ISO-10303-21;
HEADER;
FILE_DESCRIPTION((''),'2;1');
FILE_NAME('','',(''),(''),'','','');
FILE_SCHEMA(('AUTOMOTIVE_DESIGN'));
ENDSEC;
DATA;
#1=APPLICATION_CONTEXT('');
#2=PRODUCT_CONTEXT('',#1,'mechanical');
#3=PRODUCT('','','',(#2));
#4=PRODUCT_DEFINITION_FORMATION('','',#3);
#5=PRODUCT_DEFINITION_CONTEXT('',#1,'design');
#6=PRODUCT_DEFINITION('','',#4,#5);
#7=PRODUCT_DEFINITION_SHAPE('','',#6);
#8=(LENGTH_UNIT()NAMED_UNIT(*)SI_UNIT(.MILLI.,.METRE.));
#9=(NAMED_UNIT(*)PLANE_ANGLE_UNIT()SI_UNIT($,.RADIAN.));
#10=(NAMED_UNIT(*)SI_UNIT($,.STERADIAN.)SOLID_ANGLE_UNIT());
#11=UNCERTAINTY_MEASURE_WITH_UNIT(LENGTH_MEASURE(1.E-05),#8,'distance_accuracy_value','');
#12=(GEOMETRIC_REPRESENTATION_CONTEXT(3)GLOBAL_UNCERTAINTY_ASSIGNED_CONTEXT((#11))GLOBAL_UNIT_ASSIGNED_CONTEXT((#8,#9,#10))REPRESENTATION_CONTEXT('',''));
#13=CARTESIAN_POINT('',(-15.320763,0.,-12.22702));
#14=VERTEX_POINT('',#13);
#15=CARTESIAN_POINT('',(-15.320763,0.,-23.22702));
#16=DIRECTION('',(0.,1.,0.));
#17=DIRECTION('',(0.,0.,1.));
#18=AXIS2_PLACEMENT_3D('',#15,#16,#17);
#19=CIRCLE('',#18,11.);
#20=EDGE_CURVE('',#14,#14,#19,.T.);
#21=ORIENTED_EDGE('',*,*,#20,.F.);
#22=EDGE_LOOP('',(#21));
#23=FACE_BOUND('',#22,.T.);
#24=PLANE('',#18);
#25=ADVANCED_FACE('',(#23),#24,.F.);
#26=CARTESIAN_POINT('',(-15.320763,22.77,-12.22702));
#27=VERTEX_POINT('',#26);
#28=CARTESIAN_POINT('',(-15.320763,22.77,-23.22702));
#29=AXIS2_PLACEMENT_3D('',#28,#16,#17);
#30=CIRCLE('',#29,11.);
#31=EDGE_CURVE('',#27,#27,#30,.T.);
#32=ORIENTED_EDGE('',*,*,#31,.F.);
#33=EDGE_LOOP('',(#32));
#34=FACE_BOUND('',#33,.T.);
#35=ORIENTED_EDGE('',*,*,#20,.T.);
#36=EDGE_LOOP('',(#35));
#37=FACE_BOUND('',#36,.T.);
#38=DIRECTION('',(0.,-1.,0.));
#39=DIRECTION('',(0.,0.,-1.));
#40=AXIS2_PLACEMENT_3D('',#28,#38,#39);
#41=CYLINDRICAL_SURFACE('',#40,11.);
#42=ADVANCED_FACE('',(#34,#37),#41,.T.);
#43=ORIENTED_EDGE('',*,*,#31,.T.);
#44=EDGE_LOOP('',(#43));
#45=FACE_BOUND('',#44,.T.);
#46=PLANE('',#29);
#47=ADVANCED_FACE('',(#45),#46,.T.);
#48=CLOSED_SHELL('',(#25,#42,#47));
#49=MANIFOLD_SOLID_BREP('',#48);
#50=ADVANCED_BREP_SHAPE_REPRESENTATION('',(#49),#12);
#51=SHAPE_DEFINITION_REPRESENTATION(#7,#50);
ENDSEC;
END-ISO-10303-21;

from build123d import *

# Parameters (mm, degrees)
SKETCH1_R           = 11
BOSS_EXTRUDE1_DEPTH = 22.77


with BuildPart() as part:
    # Sketch1 → Boss-Extrude1 (new body)
    with BuildSketch(Plane(origin=(0, 0, 0), x_dir=(1, 0, 0), z_dir=(0, 1, 0))):
        with Locations((-15.32076311, 23.227019559)):
            Circle(SKETCH1_R)
    extrude(amount=BOSS_EXTRUDE1_DEPTH)


solid = part.part
